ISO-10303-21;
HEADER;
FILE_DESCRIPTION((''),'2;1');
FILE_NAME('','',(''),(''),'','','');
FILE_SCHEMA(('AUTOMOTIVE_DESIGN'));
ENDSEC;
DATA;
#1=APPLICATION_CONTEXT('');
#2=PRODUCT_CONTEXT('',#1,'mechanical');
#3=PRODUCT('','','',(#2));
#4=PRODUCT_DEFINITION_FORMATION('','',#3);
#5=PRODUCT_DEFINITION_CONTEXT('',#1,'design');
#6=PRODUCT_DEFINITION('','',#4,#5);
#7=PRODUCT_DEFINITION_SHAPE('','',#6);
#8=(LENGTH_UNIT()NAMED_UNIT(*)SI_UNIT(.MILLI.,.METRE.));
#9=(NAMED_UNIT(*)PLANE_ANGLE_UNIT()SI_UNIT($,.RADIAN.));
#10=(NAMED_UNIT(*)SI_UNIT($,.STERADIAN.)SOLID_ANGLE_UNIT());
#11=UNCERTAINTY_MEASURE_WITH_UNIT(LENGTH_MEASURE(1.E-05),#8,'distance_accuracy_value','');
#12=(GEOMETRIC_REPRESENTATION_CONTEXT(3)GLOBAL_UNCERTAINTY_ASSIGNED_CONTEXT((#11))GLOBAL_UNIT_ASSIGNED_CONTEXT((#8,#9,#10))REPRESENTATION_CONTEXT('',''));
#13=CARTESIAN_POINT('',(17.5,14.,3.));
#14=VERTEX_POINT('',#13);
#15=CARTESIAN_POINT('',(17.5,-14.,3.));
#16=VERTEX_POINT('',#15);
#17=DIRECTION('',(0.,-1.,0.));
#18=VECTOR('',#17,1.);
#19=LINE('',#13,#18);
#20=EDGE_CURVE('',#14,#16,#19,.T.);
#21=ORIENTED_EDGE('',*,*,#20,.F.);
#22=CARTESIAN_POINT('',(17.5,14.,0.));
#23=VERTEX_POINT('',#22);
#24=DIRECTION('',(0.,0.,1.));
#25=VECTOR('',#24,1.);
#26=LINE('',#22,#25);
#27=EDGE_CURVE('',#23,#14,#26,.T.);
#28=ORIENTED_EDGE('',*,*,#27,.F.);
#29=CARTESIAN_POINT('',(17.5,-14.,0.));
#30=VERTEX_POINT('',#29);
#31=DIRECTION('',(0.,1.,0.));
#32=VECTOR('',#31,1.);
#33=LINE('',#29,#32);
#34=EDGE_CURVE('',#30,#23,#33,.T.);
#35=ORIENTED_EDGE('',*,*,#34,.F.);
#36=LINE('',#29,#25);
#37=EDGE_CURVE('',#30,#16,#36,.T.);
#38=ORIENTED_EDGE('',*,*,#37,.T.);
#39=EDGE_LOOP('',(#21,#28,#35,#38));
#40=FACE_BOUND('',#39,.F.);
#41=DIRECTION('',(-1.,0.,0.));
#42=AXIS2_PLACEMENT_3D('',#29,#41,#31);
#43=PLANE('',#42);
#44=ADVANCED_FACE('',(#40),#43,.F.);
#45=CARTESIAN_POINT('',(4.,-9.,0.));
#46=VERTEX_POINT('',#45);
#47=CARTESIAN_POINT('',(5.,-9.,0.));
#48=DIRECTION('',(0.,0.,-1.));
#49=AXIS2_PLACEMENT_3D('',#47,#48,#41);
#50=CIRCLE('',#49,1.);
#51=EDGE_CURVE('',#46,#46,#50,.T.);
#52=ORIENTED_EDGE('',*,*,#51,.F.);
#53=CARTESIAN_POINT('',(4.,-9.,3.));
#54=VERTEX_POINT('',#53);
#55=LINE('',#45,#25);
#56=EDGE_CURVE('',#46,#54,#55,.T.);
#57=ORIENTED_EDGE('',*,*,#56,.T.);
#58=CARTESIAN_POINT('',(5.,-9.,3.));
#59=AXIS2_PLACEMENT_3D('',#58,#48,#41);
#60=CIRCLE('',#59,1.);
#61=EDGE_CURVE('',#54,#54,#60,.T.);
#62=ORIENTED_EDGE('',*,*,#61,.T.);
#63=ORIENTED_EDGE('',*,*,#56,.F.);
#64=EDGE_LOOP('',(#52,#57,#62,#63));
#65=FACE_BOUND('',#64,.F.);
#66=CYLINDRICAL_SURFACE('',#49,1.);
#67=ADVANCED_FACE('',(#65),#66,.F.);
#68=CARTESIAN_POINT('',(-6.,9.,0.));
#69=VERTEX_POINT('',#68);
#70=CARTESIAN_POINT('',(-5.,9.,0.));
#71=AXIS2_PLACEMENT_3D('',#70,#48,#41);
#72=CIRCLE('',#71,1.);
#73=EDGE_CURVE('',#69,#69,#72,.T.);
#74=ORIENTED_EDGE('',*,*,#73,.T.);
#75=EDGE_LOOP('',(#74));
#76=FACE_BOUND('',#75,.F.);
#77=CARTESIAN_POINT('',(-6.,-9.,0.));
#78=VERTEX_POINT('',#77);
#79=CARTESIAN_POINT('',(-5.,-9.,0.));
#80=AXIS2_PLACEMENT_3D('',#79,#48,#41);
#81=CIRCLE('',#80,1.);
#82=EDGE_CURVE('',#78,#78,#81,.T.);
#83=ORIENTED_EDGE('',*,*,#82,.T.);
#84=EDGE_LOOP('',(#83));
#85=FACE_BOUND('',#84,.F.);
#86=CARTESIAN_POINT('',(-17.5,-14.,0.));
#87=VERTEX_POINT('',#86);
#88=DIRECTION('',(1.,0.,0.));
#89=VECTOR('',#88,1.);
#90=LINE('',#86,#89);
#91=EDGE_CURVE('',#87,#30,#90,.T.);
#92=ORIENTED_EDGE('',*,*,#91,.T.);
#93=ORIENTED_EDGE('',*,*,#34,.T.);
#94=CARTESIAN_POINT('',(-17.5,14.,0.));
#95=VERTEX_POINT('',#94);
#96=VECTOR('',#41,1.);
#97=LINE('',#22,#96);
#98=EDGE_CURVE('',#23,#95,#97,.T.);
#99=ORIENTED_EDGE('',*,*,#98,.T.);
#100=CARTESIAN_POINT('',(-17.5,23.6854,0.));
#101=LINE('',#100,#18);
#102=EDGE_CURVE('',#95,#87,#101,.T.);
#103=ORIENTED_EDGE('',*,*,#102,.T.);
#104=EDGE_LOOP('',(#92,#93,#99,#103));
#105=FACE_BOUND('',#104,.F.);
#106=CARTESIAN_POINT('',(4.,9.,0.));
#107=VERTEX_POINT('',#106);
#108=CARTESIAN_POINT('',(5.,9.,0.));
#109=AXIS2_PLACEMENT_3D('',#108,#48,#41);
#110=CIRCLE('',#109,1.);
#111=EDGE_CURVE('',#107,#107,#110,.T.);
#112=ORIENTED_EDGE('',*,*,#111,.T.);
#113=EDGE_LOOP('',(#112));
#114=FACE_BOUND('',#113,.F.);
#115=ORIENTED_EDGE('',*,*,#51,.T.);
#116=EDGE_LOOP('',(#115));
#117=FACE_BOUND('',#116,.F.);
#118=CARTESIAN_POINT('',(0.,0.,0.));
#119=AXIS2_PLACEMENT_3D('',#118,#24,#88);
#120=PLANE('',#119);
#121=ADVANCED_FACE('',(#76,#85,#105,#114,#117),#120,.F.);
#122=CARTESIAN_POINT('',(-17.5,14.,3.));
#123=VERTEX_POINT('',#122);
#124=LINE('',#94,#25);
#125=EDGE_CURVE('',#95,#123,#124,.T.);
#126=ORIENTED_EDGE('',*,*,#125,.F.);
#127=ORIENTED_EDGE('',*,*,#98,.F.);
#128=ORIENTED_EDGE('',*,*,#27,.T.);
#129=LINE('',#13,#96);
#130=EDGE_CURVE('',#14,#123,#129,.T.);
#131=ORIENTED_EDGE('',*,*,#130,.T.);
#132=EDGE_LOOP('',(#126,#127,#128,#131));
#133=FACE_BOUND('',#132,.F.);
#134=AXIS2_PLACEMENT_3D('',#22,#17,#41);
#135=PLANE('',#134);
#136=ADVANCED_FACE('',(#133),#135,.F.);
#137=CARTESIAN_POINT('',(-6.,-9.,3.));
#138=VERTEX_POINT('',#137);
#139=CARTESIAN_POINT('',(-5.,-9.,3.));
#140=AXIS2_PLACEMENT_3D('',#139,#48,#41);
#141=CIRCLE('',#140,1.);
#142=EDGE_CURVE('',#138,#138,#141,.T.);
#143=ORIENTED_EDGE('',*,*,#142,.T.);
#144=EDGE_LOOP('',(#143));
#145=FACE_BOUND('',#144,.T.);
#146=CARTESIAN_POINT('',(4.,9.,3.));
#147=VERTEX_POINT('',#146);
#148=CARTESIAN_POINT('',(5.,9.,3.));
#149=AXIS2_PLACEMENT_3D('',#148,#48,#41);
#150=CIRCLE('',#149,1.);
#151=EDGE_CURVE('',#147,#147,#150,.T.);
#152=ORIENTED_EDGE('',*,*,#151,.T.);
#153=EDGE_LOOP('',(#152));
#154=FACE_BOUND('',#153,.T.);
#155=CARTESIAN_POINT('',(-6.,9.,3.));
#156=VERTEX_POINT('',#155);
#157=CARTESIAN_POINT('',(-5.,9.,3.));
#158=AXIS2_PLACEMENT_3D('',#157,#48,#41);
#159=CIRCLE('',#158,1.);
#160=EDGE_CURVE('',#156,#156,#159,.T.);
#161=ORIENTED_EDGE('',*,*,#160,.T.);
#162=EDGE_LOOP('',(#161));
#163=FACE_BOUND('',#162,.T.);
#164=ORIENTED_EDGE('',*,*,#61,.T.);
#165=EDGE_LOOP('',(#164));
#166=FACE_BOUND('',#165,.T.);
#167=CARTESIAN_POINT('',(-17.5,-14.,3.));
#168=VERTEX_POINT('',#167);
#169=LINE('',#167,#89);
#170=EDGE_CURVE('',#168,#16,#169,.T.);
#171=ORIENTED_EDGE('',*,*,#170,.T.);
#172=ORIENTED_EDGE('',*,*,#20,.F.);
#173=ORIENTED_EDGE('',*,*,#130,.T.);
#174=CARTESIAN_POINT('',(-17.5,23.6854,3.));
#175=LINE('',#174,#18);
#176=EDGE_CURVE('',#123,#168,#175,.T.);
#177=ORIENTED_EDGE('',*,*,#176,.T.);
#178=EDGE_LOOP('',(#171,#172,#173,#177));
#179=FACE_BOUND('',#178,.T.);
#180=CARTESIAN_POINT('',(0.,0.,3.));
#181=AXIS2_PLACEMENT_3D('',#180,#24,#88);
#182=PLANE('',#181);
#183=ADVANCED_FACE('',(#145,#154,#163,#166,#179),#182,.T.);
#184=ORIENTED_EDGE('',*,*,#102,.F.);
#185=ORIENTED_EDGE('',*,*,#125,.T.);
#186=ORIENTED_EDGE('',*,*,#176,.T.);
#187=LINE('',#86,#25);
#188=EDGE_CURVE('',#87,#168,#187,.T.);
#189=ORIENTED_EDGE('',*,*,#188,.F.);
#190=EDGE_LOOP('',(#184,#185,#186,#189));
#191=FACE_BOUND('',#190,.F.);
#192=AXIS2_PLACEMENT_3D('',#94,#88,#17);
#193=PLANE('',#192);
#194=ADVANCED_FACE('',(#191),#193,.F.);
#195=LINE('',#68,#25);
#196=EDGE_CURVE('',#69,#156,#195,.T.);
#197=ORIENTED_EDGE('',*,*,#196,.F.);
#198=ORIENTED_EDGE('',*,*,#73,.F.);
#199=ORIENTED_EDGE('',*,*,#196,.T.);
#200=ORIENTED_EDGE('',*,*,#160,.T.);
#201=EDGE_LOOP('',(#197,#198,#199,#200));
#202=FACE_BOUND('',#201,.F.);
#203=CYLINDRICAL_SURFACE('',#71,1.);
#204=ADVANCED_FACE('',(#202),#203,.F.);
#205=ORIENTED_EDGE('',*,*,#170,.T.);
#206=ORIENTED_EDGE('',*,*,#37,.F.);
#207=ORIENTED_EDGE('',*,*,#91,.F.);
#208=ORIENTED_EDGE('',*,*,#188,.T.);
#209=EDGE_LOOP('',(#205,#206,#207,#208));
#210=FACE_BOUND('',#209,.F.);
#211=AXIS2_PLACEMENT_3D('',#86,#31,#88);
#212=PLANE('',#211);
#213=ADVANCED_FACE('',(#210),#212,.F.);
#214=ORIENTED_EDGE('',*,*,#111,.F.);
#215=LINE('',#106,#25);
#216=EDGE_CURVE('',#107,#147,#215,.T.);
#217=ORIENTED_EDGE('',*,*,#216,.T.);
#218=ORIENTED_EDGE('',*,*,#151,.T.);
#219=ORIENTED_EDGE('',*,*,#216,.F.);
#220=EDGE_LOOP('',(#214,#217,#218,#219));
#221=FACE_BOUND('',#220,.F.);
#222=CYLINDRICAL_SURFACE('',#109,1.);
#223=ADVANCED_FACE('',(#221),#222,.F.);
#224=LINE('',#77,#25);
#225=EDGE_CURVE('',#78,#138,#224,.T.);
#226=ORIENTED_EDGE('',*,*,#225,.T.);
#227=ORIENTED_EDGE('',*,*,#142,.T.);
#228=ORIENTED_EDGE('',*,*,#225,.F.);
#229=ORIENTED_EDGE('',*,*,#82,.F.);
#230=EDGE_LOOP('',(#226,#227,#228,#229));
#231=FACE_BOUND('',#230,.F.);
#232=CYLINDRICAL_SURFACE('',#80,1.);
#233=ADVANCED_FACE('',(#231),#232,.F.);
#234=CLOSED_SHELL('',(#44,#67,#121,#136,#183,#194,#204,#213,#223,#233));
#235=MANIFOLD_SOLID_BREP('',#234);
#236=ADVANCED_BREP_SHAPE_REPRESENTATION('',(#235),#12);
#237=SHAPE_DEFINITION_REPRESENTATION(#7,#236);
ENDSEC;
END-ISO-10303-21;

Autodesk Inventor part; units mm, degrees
ref_plane "YZ Plane" through (0, 0, 0) normal (1, 0, 0) x (0, 1, 0)
ref_plane "XZ Plane" through (0, 0, 0) normal (0, 1, 0) x (-1, 0, 0)
ref_plane "XY Plane" through (0, 0, 0) normal (0, 0, 1) x (1, 0, 0)
ref_plane "Work Plane1" through (0, 0, 0) normal (0, 0, 1) x (1, 0, 0)
sketch "Sketch1" plane through (0, 0, 0) normal (0, 0, 1) x (1, 0, 0)
  line L0 (17.5, -23.6854) -> (17.5, 23.6854) projected
  line L1 (-17.5, 23.6854) -> (-17.5, -23.6854) projected
  line L2 (17.5, 0) -> (17.5, 14)
  line L3 (17.5, 0) -> (17.5, -14)
  line L4 (17.5, 14) -> (-17.5, 14)
  line L5 (-17.5, 14) -> (-17.5, -14)
  line L6 (-17.5, -14) -> (17.5, -14)
  line L7 (17.5, -14) -> (17.5, 14)
  point P0 (0, 0)
  dimension "d0" = 14
  dimension "d1" = 14
extrude "Extrusion1" add sketch "Sketch1" along normal blind 3
sketch "Sketch2" plane through (0, 0, 0) normal (0, 0, -1) x (-1, 0, 0)
  circle A0 centre (5, -9) radius 1 projected
  circle A1 centre (-5, -9) radius 1 projected
  circle A2 centre (5, 9) radius 1 projected
  circle A3 centre (-5, 9) radius 1 projected
  point P0 (0, 0)
extrude "Extrusion2" cut sketch "Sketch2" against normal blind 3
properties part number "espaciador"
